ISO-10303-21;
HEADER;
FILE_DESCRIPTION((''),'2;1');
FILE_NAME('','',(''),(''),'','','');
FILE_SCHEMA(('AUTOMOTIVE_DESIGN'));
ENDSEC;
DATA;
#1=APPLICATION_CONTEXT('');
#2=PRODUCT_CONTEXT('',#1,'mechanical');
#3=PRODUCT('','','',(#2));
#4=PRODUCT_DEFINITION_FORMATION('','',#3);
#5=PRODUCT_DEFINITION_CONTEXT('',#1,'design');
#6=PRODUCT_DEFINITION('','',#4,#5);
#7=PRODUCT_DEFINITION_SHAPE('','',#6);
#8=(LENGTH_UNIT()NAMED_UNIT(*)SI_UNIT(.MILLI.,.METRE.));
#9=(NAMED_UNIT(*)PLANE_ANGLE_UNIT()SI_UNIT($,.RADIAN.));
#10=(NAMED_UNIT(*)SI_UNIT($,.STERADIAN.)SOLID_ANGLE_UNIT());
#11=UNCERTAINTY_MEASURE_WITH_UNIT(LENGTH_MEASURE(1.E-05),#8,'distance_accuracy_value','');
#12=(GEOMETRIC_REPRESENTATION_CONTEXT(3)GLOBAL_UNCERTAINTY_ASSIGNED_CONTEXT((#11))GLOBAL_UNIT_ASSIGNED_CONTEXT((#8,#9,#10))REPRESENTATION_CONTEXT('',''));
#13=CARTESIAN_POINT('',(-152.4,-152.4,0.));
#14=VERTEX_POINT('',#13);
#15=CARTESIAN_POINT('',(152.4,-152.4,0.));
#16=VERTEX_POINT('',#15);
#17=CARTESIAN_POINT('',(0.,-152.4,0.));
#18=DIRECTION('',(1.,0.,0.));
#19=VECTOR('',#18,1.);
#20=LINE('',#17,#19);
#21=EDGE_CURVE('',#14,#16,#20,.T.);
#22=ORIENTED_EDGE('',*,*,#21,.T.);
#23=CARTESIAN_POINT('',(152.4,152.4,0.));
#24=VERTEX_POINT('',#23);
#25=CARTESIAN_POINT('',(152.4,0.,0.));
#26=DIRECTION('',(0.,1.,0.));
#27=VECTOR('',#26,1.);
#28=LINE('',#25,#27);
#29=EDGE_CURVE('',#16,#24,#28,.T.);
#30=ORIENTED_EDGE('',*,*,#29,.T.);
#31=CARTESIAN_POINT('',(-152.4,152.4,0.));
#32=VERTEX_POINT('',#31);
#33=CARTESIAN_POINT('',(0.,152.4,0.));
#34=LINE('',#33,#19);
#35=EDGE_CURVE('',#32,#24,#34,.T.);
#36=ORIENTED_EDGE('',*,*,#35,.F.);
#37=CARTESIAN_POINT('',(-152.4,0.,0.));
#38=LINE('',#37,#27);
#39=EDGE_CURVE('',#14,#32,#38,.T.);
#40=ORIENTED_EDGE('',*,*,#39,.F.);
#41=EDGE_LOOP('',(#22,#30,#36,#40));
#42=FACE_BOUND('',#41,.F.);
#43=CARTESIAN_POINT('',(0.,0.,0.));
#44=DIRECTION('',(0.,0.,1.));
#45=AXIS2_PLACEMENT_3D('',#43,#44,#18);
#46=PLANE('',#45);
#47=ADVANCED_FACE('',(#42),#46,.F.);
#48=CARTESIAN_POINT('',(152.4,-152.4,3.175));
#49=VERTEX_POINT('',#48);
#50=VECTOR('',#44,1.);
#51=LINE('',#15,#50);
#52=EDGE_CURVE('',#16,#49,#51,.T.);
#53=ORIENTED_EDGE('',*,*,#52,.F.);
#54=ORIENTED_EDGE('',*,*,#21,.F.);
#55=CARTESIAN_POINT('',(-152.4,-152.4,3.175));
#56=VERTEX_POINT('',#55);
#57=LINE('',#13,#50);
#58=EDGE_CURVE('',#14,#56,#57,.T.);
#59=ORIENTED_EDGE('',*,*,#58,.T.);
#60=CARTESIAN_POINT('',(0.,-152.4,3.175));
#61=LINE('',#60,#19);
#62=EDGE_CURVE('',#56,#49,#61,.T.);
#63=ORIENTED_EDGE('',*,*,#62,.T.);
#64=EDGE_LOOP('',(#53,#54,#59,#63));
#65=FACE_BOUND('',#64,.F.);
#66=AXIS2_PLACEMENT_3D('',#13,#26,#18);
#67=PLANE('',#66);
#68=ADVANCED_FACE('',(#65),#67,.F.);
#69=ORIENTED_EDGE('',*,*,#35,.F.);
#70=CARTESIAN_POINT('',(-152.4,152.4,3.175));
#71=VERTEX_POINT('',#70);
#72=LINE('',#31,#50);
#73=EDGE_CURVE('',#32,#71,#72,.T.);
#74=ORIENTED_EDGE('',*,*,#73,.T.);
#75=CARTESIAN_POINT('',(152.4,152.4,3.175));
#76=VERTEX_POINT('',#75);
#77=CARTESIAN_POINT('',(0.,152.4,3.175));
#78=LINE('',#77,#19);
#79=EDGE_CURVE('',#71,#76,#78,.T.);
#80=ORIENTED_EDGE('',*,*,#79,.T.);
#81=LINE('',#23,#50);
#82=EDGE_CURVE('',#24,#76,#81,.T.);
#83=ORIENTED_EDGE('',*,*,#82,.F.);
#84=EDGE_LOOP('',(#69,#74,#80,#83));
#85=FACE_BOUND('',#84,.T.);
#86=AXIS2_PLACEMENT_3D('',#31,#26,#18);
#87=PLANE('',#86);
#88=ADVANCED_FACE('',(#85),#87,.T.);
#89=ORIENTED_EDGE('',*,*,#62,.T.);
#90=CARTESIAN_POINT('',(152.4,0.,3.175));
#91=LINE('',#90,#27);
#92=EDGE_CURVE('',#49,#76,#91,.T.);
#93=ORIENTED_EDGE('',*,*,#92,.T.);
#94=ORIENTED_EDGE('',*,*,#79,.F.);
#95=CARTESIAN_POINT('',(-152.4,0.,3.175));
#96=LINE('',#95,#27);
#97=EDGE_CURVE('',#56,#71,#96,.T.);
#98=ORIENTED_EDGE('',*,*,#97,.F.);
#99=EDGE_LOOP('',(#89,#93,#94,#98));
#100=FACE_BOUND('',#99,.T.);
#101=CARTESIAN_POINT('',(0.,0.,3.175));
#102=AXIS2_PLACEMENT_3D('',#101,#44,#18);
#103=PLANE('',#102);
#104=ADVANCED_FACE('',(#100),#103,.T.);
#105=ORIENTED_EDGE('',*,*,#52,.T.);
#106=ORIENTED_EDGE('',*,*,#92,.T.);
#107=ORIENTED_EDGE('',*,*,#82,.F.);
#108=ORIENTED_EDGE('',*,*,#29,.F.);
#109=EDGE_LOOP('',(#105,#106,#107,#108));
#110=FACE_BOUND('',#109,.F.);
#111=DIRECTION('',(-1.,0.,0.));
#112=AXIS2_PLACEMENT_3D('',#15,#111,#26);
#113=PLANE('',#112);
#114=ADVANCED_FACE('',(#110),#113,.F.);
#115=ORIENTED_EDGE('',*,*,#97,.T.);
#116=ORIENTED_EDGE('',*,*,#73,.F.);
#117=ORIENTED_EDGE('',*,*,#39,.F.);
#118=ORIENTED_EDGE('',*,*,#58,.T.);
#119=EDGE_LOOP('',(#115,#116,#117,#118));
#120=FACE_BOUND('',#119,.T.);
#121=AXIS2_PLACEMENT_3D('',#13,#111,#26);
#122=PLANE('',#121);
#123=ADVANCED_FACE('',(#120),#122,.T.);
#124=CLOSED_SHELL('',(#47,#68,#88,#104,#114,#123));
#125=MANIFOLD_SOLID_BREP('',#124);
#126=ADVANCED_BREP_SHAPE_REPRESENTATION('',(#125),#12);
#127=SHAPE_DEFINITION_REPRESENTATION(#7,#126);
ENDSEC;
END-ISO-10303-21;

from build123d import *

# Parameters (mm, degrees)
SKETCH1_W           = 304.8
SKETCH1_H           = 304.8
BOSS_EXTRUDE1_DEPTH = 3.175


with BuildPart() as part:
    # Sketch1 → Boss-Extrude1 (new body)
    with BuildSketch(Plane.XY):
        Rectangle(SKETCH1_W, SKETCH1_H)
    extrude(amount=BOSS_EXTRUDE1_DEPTH)


solid = part.part
